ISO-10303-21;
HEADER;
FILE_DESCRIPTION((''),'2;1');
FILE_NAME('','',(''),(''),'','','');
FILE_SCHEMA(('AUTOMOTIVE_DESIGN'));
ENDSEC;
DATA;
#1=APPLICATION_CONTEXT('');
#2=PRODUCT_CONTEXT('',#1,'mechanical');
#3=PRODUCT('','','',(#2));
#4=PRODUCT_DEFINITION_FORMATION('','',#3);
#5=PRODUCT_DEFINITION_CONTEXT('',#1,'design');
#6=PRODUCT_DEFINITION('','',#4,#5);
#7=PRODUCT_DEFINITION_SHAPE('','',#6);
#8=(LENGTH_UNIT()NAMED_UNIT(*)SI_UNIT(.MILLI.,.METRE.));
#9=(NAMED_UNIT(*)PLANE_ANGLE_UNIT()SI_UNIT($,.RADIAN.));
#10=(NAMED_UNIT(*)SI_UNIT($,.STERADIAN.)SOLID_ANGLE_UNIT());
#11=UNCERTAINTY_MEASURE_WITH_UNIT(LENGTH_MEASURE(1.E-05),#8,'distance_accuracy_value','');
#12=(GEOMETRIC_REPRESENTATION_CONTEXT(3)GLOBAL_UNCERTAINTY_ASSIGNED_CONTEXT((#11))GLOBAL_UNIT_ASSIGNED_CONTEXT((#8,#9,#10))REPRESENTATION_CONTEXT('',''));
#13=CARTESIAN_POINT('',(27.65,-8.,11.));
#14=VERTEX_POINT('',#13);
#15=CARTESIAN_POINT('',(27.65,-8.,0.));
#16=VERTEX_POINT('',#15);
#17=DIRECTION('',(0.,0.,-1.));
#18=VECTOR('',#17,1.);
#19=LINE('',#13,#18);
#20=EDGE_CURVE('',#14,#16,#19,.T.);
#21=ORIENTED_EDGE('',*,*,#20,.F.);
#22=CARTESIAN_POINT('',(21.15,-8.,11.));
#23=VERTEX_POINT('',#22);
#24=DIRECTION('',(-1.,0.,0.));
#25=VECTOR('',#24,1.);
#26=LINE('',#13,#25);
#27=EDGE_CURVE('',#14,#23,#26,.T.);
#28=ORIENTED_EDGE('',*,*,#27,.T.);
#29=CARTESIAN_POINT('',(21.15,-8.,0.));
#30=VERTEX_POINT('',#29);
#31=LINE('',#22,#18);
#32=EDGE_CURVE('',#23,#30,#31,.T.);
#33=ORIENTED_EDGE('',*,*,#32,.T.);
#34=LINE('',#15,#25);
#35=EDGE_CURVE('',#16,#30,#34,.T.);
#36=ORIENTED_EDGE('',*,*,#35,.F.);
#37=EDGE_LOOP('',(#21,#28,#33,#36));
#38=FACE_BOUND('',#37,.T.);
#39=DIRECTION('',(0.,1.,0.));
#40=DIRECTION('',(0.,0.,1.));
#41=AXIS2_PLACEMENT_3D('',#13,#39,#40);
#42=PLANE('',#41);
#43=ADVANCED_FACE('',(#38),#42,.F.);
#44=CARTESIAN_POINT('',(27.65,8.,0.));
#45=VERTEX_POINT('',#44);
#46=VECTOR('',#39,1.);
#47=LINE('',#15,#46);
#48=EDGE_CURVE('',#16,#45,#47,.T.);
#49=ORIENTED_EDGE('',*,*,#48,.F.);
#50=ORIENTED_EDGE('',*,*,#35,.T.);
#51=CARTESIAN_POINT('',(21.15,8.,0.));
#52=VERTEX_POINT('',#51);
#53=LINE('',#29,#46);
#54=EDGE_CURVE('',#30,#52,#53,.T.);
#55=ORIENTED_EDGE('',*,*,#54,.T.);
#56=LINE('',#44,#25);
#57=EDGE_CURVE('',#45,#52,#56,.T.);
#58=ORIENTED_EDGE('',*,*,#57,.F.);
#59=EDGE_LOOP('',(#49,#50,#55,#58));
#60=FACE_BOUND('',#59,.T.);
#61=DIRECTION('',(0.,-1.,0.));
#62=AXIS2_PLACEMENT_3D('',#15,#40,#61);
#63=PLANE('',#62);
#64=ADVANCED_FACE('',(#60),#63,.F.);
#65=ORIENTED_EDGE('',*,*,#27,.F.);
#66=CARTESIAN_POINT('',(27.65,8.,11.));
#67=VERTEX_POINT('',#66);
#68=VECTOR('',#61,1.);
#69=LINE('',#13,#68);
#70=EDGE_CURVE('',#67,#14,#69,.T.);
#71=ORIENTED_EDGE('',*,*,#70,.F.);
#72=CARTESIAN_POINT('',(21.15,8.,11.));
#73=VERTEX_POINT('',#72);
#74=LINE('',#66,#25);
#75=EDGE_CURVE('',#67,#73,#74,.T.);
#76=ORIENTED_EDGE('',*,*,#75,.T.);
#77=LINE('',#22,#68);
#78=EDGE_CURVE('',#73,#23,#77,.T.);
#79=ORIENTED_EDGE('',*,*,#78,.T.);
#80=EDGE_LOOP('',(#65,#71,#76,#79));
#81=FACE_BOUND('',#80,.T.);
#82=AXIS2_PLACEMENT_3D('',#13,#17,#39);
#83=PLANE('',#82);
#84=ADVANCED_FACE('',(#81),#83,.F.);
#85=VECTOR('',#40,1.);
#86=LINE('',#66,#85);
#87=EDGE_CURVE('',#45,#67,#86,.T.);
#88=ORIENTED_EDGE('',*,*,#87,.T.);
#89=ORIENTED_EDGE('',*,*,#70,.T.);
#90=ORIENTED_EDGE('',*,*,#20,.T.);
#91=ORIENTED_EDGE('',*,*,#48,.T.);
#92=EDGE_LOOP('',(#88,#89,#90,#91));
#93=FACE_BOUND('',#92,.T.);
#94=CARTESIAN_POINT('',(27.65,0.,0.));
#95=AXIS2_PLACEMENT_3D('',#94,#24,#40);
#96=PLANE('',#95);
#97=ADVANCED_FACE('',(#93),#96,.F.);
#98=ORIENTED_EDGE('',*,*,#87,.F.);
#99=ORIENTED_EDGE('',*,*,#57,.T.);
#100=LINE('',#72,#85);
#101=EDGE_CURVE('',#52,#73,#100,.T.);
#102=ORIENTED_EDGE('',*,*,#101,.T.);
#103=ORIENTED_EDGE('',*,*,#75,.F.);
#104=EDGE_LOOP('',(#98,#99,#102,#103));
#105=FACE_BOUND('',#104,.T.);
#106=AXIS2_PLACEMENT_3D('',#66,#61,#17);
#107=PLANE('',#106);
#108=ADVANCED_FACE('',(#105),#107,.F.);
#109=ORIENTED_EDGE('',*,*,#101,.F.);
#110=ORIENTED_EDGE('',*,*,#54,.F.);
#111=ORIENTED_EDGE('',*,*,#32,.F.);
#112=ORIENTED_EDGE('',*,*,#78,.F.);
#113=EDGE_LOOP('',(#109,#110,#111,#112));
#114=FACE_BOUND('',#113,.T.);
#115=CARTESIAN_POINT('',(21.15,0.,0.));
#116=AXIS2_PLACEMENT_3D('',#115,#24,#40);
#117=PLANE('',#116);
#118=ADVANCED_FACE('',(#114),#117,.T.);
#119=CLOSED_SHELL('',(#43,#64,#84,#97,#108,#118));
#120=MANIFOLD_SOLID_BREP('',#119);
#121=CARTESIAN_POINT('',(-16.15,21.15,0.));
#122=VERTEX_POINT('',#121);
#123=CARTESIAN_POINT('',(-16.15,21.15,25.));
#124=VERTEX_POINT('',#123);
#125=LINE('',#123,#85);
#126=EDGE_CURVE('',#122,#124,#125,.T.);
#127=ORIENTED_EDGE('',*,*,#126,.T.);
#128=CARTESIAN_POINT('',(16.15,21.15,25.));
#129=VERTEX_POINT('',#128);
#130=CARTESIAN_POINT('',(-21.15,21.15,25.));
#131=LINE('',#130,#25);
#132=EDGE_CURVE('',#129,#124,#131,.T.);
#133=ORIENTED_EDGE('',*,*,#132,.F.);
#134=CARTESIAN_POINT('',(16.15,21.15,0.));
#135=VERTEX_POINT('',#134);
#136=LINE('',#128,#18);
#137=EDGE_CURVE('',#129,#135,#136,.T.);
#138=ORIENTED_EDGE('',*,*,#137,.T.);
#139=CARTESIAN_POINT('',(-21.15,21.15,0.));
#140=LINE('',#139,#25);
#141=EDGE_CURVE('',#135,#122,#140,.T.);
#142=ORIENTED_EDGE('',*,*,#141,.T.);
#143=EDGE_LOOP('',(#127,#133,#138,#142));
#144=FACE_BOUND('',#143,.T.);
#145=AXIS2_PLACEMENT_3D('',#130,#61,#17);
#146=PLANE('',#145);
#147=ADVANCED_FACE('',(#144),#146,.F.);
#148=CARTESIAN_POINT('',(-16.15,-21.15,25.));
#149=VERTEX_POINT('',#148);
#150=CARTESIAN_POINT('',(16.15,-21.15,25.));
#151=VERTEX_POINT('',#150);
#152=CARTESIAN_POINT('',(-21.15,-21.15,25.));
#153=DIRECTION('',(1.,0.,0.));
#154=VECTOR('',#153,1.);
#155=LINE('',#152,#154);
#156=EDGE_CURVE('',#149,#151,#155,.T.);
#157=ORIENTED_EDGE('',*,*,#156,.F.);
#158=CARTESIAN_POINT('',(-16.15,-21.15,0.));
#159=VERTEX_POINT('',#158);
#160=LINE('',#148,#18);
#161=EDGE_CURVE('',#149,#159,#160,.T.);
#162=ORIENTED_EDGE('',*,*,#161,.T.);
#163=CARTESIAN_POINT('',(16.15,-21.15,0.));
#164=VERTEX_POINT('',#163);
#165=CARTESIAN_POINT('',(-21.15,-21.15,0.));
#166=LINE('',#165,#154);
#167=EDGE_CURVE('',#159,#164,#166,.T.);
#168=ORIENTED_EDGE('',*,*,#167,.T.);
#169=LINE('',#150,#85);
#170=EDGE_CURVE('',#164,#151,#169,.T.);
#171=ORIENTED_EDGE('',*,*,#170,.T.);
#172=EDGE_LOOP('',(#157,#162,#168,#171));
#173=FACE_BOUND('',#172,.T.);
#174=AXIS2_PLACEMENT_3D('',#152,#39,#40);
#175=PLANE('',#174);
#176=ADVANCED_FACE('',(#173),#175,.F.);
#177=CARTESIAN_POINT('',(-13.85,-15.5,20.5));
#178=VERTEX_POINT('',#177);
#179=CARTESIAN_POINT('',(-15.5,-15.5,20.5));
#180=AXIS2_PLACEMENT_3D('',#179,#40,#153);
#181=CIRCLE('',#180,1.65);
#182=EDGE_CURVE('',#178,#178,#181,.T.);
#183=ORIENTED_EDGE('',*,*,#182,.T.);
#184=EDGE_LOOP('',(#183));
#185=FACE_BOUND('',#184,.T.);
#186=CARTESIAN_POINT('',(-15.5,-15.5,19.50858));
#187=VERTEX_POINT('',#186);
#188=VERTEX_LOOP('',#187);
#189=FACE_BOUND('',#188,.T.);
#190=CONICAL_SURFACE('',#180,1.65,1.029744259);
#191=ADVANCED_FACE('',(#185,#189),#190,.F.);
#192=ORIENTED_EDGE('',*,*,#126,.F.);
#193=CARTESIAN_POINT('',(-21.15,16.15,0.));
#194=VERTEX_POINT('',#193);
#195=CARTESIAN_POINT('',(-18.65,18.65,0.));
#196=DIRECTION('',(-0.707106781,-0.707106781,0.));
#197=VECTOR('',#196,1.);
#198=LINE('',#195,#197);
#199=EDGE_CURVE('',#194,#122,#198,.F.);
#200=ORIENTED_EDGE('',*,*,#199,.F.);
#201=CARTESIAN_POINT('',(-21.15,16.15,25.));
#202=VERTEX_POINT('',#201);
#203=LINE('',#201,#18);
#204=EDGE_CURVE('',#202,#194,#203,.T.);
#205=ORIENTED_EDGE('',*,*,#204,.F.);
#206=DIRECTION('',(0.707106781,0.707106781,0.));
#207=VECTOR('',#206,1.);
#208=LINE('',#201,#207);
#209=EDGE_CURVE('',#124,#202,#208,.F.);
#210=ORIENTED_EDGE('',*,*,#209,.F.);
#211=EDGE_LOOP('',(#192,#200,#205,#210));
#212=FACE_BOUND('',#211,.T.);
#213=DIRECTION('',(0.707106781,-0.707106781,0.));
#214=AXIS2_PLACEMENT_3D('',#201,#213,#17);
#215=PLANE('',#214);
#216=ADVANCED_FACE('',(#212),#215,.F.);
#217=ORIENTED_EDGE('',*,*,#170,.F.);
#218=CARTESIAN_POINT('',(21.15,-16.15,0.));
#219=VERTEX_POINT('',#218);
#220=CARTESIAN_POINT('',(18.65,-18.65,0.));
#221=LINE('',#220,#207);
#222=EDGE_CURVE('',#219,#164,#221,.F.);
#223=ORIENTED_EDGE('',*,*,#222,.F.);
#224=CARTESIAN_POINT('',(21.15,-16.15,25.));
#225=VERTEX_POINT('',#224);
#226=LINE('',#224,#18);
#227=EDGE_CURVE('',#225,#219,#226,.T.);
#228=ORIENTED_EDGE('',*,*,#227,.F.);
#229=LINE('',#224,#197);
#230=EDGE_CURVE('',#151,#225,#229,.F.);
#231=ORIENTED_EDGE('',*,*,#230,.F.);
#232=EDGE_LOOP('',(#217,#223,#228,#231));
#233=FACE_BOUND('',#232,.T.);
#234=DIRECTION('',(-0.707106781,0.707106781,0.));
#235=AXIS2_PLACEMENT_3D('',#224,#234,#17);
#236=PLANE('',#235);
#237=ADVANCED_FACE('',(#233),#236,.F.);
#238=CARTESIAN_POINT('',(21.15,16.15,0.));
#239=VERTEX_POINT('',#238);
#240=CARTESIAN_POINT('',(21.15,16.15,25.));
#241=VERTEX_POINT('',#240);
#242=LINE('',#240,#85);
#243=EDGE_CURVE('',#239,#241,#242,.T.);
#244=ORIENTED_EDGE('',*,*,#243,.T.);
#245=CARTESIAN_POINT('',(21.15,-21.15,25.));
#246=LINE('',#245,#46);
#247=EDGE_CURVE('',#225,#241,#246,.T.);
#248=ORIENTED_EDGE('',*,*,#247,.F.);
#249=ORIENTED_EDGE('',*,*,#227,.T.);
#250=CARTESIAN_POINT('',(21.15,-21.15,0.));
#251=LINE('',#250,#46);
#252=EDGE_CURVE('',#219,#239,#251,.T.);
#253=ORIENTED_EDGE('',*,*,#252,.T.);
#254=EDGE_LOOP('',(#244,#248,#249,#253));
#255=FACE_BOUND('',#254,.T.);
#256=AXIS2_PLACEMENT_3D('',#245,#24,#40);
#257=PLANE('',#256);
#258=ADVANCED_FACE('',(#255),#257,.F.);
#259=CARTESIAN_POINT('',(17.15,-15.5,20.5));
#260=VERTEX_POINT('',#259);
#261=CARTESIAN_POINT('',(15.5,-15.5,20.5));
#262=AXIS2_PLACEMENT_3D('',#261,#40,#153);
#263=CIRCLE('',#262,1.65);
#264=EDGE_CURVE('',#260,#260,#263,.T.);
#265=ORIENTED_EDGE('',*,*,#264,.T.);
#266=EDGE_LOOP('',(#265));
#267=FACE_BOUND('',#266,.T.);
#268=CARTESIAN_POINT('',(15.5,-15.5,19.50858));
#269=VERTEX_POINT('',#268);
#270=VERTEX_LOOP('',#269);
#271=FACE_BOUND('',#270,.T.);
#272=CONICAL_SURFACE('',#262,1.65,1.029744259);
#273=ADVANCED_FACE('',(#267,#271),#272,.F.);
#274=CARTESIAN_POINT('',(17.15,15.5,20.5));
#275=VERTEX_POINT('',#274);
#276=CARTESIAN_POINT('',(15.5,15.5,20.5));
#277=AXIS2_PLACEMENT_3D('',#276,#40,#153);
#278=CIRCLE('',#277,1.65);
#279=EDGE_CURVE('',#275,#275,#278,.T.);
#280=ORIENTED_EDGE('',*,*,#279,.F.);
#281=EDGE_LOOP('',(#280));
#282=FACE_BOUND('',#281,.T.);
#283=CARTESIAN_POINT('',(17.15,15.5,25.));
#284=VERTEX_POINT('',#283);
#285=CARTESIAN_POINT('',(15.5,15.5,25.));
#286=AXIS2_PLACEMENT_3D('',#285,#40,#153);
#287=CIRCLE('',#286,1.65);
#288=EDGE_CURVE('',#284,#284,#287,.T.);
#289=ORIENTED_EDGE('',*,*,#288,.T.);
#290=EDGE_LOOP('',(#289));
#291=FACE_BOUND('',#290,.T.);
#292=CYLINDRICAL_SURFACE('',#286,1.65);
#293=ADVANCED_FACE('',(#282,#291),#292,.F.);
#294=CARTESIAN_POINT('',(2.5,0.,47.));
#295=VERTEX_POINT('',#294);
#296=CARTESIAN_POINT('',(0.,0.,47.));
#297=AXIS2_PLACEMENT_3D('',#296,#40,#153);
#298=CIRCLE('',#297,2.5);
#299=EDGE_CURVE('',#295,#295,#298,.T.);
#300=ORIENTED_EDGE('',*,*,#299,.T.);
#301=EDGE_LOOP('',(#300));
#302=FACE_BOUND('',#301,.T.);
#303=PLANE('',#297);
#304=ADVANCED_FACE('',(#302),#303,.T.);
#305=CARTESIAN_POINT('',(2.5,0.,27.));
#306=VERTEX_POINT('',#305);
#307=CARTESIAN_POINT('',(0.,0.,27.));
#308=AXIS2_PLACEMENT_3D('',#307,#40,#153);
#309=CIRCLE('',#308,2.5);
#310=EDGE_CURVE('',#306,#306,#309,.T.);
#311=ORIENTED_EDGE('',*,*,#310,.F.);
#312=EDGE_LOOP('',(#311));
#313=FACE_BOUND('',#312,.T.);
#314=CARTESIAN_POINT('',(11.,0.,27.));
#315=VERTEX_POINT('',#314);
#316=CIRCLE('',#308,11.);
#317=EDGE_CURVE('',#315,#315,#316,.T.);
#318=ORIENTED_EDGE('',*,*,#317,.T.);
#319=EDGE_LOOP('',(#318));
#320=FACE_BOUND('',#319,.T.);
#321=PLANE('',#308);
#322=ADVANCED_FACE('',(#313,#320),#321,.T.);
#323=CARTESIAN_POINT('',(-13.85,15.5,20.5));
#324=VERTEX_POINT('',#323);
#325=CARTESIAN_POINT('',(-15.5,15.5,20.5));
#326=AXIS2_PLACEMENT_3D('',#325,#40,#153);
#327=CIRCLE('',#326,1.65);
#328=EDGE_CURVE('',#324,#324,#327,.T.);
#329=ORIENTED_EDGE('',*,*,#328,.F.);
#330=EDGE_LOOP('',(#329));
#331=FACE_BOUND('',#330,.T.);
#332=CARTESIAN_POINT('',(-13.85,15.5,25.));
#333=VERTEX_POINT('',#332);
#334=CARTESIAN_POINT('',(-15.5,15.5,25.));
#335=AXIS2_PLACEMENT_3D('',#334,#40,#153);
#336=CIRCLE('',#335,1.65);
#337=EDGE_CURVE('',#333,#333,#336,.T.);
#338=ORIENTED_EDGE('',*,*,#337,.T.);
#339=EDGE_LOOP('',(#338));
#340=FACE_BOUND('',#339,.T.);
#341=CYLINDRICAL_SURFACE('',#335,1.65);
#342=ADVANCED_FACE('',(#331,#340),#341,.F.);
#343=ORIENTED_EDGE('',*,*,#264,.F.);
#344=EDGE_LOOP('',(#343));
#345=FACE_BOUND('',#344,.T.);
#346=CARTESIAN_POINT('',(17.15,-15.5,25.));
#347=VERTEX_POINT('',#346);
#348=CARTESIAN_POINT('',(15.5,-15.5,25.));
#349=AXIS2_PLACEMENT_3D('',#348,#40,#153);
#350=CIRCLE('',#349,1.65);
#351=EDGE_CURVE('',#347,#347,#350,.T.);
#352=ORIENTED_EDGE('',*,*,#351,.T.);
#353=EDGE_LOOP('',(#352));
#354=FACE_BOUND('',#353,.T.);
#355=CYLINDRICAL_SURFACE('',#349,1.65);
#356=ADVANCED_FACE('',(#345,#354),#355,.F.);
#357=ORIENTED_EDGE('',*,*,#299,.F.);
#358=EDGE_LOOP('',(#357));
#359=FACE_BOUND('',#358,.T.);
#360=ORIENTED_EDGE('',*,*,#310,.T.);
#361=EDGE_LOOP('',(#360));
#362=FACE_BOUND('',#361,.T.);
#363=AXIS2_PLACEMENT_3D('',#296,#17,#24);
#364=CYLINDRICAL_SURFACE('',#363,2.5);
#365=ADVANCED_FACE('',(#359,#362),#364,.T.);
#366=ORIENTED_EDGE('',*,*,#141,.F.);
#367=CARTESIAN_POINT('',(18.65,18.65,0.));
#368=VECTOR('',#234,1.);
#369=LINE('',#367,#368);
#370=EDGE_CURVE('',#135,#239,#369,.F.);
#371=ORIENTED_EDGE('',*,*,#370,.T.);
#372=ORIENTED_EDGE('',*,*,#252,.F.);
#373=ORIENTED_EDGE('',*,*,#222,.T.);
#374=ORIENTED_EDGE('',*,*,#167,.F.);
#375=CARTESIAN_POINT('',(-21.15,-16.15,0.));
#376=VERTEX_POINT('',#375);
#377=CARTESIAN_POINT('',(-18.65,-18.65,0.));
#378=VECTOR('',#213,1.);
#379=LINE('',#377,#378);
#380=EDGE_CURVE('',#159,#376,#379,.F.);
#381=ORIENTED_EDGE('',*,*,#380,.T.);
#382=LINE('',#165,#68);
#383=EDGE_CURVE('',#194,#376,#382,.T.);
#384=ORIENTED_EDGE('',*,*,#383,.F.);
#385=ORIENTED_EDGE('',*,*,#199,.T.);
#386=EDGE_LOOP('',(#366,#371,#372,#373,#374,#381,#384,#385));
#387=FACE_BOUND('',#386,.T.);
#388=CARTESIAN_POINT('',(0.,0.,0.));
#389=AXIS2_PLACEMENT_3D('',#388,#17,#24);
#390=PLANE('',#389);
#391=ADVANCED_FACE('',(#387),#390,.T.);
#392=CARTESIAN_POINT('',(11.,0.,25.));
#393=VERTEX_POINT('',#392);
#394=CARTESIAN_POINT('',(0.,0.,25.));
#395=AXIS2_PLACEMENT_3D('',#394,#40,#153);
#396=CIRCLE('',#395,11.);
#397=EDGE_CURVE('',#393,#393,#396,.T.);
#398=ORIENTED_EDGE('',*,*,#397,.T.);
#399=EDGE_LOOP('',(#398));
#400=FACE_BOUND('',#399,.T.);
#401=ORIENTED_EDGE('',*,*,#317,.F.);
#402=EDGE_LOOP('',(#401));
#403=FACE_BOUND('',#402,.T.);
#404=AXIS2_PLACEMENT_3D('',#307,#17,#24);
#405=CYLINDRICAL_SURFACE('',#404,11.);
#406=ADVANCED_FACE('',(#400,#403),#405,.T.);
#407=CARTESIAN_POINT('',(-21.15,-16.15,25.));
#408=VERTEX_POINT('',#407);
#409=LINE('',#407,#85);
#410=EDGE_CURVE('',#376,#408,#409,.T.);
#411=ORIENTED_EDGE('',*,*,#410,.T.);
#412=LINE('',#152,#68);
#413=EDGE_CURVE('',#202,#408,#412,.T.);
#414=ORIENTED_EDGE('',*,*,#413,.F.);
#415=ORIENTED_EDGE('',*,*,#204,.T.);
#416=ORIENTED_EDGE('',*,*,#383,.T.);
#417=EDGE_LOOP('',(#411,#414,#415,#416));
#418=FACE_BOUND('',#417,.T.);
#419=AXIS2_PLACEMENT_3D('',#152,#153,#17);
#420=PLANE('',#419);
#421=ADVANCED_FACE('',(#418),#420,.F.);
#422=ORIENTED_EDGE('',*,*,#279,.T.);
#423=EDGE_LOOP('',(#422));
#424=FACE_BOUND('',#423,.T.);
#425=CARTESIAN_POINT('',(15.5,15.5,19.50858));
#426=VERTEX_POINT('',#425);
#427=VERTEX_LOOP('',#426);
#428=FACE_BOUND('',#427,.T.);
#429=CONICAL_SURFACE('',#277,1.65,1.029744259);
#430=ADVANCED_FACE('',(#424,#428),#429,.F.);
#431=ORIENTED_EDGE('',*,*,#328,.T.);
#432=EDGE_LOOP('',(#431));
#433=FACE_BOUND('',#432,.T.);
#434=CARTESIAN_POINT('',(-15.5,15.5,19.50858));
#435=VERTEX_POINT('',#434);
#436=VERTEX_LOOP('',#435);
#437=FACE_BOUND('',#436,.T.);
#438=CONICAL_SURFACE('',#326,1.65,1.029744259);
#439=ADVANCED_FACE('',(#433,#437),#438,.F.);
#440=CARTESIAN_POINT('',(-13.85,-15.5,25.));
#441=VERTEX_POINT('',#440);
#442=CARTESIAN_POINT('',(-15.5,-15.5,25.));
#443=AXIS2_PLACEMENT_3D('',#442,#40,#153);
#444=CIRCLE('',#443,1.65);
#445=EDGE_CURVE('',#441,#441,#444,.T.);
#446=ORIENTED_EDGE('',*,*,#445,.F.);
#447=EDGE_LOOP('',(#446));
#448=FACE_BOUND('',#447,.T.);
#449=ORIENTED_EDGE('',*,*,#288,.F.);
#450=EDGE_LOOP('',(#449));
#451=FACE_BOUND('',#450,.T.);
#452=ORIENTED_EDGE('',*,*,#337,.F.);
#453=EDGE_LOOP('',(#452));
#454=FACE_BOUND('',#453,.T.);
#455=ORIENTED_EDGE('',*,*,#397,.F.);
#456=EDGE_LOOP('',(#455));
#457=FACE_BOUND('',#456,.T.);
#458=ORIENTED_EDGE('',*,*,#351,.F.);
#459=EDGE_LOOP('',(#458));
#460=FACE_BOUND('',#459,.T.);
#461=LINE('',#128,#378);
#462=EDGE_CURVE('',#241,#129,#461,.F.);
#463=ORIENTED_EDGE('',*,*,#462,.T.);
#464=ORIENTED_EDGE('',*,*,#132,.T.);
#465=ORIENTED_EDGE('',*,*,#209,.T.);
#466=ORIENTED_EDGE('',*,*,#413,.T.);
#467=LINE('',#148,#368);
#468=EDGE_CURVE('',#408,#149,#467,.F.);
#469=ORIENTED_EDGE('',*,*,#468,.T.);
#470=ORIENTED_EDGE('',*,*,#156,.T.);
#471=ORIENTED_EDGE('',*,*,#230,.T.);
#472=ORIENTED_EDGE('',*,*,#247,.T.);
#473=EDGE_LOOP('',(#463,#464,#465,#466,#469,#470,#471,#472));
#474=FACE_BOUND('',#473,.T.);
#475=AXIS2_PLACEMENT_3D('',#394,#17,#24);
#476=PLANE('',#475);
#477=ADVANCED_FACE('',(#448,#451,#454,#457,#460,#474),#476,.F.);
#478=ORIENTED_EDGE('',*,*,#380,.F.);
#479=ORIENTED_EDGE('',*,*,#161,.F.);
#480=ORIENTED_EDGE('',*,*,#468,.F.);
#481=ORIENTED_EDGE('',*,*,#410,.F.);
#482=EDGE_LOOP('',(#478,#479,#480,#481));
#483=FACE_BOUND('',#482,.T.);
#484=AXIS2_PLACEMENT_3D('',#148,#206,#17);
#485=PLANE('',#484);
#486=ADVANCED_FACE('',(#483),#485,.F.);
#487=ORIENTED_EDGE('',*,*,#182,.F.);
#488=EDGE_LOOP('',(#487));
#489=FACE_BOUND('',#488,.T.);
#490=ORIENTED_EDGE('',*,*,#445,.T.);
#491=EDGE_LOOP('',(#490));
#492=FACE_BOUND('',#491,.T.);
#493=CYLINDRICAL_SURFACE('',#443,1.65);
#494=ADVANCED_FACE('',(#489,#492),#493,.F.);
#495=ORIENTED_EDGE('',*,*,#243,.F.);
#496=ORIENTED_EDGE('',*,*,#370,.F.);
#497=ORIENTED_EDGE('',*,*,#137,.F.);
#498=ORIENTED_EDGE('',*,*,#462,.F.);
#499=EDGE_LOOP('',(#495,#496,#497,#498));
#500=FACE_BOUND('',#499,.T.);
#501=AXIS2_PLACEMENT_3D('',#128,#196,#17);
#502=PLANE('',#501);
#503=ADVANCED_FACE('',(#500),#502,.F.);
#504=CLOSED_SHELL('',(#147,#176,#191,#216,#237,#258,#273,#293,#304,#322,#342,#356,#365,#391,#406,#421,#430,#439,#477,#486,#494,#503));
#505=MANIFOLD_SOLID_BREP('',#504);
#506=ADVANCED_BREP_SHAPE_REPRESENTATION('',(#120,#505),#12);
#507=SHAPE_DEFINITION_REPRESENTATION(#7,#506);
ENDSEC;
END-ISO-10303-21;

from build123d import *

# Parameters (mm, degrees)
SKETCH1_W                 = 42.3
SKETCH1_H                 = 42.3
BOSS_EXTRUDE1_DEPTH       = 25
CHAMFER1_SIZE             = 5
SKETCH3_R                 = 11
BOSS_EXTRUDE2_DEPTH       = 2
SKETCH4_R                 = 2.5
BOSS_EXTRUDE3_DEPTH       = 20
M4X0_7_TAPPED_HOLE1_D     = 3.3
M4X0_7_TAPPED_HOLE1_DEPTH = 4.5
M4X0_7_TAPPED_HOLE1_TIP   = 0.991420021
SKETCH5_W                 = 11
SKETCH5_H                 = 16
JST_XH6_CONNECTOR_DEPTH   = 6.5


with BuildPart() as part:
    # Sketch1 → Boss-Extrude1 (new body)
    with BuildSketch(Plane.XY):
        Rectangle(SKETCH1_W, SKETCH1_H)
    extrude(amount=BOSS_EXTRUDE1_DEPTH)

    # Chamfer1
    chamfer1_edges = [part.edges().sort_by_distance(p)[0] for p in [
        (21.15, -21.15, 12.5),
        (-21.15, -21.15, 12.5),
        (-21.15, 21.15, 12.5),
        (21.15, 21.15, 12.5),
    ]]
    chamfer(chamfer1_edges, length=CHAMFER1_SIZE)

    # Sketch3 → Boss-Extrude2 (add)
    with BuildSketch(Plane.XY.offset(25)):
        Circle(SKETCH3_R)
    extrude(amount=BOSS_EXTRUDE2_DEPTH)

    # Sketch4 → Boss-Extrude3 (add)
    with BuildSketch(Plane.XY.offset(27)):
        Circle(SKETCH4_R)
    extrude(amount=BOSS_EXTRUDE3_DEPTH)

    # M4x0.7 Tapped Hole1
    with Locations(Plane.XY.offset(25)):
        with Locations((-15.5, -15.5), (15.5, 15.5), (-15.5, 15.5), (15.5, -15.5)):
            Hole(M4X0_7_TAPPED_HOLE1_D / 2, depth=M4X0_7_TAPPED_HOLE1_DEPTH)
            with Locations((0, 0, -(M4X0_7_TAPPED_HOLE1_DEPTH + M4X0_7_TAPPED_HOLE1_TIP / 2))):  # 118° drill point
                Cone(0, M4X0_7_TAPPED_HOLE1_D / 2, M4X0_7_TAPPED_HOLE1_TIP, mode=Mode.SUBTRACT)


with BuildPart() as body_2:
    # Sketch5 → JST-XH6 Connector (new body)
    with BuildSketch(Plane(origin=(21.15, 0, 0), x_dir=(0, 0, -1), z_dir=(1, 0, 0))):
        with Locations((-5.5, 0)):
            Rectangle(SKETCH5_W, SKETCH5_H)
    extrude(amount=JST_XH6_CONNECTOR_DEPTH)


solid = Compound([part.part, body_2.part])
